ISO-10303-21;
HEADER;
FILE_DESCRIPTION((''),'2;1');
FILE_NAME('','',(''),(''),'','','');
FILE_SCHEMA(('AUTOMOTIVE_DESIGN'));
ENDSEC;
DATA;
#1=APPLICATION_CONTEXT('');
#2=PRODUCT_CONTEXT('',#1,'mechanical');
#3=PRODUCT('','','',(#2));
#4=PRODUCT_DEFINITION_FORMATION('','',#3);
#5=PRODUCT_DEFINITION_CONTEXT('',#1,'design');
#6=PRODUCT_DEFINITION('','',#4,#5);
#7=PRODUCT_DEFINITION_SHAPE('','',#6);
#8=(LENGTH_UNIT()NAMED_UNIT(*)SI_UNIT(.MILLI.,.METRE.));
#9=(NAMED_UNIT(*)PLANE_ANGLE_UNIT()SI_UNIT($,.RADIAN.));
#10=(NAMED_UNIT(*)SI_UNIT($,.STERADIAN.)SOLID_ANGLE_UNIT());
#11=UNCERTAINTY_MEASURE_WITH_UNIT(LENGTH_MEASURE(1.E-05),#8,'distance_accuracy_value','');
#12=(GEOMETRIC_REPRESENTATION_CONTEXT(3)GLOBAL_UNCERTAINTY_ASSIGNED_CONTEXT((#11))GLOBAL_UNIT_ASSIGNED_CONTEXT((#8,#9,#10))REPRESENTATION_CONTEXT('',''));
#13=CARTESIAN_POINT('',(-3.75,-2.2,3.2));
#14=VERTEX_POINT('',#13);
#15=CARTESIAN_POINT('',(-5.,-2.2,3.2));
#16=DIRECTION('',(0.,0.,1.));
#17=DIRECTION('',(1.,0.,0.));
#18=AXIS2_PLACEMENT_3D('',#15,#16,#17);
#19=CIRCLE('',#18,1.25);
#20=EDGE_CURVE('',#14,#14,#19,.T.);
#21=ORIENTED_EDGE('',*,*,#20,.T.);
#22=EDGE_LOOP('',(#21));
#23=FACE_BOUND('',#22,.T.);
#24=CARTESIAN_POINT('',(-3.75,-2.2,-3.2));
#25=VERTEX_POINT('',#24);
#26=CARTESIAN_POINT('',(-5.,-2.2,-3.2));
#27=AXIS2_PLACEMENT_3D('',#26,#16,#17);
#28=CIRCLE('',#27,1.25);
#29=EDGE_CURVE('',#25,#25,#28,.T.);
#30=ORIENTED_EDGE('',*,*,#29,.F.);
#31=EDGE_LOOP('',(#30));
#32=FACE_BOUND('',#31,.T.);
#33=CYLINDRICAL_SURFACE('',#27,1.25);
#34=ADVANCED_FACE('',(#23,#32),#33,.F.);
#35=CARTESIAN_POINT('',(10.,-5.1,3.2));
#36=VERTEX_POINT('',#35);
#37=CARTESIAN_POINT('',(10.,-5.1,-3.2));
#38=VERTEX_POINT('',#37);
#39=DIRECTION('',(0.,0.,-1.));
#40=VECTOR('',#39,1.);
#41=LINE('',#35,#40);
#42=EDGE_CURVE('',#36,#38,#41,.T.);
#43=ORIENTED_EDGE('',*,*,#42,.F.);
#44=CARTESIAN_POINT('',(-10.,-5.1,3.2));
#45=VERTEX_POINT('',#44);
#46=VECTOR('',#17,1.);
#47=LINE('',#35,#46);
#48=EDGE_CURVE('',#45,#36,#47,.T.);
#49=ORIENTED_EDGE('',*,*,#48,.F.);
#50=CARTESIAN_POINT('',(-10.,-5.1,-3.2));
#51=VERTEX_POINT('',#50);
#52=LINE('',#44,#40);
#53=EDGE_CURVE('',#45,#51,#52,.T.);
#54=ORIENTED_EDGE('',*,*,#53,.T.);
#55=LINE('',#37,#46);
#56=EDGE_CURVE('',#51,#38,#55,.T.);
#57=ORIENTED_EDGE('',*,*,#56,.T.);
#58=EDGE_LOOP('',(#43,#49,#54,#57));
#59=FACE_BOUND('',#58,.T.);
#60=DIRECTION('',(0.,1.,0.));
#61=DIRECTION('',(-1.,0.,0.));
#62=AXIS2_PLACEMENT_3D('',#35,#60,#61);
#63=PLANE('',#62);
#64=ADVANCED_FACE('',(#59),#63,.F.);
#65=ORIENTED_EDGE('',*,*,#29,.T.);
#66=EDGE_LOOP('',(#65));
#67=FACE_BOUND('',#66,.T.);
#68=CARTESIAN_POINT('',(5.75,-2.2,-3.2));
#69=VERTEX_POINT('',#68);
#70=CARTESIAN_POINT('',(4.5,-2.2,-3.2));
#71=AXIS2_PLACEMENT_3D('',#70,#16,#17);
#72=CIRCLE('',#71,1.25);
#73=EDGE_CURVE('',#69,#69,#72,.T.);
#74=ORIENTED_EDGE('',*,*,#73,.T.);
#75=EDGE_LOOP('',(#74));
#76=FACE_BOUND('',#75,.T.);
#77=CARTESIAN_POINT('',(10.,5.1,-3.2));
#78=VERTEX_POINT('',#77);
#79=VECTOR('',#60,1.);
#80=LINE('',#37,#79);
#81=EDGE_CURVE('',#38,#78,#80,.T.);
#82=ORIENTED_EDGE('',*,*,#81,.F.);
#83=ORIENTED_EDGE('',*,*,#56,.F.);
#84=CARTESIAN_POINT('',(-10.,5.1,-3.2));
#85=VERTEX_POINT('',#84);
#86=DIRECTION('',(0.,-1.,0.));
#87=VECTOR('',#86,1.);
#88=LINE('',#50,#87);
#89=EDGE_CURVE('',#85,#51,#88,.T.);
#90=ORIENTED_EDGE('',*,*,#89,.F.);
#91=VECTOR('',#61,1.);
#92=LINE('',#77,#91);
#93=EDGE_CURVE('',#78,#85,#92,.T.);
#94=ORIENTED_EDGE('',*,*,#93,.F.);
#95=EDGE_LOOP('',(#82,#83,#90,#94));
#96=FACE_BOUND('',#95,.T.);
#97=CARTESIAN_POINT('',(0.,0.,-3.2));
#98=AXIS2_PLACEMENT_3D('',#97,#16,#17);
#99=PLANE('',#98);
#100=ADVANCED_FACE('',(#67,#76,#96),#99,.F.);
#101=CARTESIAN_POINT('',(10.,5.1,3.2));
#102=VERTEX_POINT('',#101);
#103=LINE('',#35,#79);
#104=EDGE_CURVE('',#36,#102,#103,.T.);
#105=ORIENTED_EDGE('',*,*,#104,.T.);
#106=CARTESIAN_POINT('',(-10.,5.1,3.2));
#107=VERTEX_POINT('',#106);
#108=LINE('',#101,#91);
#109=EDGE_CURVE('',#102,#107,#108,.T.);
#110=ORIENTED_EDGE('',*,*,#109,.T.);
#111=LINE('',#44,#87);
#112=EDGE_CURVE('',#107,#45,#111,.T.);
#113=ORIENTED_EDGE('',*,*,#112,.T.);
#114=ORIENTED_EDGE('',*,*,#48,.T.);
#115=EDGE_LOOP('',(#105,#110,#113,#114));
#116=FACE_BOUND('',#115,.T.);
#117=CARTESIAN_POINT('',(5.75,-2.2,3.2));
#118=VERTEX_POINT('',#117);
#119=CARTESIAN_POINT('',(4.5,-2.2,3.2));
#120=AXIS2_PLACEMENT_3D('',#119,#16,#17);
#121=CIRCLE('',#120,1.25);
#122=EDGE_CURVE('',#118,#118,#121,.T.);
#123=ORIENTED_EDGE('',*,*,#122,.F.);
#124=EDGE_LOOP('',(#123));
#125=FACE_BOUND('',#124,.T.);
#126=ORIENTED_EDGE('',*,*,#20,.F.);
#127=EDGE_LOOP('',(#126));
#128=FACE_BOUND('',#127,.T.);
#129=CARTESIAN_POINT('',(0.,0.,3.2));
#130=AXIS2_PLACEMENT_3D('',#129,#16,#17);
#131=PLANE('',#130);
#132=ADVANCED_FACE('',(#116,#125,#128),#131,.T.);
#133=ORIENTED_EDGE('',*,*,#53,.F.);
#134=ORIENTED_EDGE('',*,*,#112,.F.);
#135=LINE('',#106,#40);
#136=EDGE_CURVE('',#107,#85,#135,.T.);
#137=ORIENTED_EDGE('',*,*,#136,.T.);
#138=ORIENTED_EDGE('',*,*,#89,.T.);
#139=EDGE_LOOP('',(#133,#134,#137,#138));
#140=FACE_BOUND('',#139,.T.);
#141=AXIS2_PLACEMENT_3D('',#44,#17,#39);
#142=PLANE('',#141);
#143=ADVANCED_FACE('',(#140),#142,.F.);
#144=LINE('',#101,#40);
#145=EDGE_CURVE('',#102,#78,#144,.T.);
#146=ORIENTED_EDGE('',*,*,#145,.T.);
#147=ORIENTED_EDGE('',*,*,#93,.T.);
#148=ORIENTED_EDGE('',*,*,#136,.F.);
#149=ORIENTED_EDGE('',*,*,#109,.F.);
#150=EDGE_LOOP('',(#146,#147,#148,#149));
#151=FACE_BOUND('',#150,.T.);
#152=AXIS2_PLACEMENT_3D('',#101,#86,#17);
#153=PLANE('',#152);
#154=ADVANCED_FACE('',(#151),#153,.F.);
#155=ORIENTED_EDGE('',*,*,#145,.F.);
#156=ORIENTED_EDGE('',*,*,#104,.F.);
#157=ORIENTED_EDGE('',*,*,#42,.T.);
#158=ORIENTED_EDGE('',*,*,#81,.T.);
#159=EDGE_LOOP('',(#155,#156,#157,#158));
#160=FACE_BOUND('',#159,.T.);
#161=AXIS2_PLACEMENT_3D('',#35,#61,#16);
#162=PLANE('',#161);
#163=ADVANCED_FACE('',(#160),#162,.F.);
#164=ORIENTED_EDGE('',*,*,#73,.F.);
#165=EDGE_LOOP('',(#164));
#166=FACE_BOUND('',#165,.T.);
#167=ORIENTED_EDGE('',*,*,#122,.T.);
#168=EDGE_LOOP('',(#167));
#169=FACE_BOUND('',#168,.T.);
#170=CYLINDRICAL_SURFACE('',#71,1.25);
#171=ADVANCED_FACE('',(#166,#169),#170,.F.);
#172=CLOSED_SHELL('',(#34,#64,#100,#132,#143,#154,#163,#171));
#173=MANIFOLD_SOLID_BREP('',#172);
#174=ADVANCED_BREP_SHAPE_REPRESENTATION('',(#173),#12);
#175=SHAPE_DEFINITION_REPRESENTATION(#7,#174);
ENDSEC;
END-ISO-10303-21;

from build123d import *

# Parameters (mm, degrees)
SKETCH1_W           = 20
SKETCH1_H           = 10.2
BOSS_EXTRUDE1_DEPTH = 3.2
SKETCH3_R           = 1.25
CUT_EXTRUDE1_DEPTH  = 7.4


with BuildPart() as part:
    # Sketch1 → Boss-Extrude1 (new body, symmetric)
    with BuildSketch(Plane.XY):
        Rectangle(SKETCH1_W, SKETCH1_H)
    extrude(amount=BOSS_EXTRUDE1_DEPTH, both=True)

    # Sketch3 → Cut-Extrude1 (cut, through all)
    with BuildSketch(Plane.XY.offset(3.2)):
        with Locations((4.5, -2.2)):
            Circle(SKETCH3_R)
        with Locations((-5, -2.2)):
            Circle(SKETCH3_R)
    extrude(amount=-CUT_EXTRUDE1_DEPTH, mode=Mode.SUBTRACT)


solid = part.part
